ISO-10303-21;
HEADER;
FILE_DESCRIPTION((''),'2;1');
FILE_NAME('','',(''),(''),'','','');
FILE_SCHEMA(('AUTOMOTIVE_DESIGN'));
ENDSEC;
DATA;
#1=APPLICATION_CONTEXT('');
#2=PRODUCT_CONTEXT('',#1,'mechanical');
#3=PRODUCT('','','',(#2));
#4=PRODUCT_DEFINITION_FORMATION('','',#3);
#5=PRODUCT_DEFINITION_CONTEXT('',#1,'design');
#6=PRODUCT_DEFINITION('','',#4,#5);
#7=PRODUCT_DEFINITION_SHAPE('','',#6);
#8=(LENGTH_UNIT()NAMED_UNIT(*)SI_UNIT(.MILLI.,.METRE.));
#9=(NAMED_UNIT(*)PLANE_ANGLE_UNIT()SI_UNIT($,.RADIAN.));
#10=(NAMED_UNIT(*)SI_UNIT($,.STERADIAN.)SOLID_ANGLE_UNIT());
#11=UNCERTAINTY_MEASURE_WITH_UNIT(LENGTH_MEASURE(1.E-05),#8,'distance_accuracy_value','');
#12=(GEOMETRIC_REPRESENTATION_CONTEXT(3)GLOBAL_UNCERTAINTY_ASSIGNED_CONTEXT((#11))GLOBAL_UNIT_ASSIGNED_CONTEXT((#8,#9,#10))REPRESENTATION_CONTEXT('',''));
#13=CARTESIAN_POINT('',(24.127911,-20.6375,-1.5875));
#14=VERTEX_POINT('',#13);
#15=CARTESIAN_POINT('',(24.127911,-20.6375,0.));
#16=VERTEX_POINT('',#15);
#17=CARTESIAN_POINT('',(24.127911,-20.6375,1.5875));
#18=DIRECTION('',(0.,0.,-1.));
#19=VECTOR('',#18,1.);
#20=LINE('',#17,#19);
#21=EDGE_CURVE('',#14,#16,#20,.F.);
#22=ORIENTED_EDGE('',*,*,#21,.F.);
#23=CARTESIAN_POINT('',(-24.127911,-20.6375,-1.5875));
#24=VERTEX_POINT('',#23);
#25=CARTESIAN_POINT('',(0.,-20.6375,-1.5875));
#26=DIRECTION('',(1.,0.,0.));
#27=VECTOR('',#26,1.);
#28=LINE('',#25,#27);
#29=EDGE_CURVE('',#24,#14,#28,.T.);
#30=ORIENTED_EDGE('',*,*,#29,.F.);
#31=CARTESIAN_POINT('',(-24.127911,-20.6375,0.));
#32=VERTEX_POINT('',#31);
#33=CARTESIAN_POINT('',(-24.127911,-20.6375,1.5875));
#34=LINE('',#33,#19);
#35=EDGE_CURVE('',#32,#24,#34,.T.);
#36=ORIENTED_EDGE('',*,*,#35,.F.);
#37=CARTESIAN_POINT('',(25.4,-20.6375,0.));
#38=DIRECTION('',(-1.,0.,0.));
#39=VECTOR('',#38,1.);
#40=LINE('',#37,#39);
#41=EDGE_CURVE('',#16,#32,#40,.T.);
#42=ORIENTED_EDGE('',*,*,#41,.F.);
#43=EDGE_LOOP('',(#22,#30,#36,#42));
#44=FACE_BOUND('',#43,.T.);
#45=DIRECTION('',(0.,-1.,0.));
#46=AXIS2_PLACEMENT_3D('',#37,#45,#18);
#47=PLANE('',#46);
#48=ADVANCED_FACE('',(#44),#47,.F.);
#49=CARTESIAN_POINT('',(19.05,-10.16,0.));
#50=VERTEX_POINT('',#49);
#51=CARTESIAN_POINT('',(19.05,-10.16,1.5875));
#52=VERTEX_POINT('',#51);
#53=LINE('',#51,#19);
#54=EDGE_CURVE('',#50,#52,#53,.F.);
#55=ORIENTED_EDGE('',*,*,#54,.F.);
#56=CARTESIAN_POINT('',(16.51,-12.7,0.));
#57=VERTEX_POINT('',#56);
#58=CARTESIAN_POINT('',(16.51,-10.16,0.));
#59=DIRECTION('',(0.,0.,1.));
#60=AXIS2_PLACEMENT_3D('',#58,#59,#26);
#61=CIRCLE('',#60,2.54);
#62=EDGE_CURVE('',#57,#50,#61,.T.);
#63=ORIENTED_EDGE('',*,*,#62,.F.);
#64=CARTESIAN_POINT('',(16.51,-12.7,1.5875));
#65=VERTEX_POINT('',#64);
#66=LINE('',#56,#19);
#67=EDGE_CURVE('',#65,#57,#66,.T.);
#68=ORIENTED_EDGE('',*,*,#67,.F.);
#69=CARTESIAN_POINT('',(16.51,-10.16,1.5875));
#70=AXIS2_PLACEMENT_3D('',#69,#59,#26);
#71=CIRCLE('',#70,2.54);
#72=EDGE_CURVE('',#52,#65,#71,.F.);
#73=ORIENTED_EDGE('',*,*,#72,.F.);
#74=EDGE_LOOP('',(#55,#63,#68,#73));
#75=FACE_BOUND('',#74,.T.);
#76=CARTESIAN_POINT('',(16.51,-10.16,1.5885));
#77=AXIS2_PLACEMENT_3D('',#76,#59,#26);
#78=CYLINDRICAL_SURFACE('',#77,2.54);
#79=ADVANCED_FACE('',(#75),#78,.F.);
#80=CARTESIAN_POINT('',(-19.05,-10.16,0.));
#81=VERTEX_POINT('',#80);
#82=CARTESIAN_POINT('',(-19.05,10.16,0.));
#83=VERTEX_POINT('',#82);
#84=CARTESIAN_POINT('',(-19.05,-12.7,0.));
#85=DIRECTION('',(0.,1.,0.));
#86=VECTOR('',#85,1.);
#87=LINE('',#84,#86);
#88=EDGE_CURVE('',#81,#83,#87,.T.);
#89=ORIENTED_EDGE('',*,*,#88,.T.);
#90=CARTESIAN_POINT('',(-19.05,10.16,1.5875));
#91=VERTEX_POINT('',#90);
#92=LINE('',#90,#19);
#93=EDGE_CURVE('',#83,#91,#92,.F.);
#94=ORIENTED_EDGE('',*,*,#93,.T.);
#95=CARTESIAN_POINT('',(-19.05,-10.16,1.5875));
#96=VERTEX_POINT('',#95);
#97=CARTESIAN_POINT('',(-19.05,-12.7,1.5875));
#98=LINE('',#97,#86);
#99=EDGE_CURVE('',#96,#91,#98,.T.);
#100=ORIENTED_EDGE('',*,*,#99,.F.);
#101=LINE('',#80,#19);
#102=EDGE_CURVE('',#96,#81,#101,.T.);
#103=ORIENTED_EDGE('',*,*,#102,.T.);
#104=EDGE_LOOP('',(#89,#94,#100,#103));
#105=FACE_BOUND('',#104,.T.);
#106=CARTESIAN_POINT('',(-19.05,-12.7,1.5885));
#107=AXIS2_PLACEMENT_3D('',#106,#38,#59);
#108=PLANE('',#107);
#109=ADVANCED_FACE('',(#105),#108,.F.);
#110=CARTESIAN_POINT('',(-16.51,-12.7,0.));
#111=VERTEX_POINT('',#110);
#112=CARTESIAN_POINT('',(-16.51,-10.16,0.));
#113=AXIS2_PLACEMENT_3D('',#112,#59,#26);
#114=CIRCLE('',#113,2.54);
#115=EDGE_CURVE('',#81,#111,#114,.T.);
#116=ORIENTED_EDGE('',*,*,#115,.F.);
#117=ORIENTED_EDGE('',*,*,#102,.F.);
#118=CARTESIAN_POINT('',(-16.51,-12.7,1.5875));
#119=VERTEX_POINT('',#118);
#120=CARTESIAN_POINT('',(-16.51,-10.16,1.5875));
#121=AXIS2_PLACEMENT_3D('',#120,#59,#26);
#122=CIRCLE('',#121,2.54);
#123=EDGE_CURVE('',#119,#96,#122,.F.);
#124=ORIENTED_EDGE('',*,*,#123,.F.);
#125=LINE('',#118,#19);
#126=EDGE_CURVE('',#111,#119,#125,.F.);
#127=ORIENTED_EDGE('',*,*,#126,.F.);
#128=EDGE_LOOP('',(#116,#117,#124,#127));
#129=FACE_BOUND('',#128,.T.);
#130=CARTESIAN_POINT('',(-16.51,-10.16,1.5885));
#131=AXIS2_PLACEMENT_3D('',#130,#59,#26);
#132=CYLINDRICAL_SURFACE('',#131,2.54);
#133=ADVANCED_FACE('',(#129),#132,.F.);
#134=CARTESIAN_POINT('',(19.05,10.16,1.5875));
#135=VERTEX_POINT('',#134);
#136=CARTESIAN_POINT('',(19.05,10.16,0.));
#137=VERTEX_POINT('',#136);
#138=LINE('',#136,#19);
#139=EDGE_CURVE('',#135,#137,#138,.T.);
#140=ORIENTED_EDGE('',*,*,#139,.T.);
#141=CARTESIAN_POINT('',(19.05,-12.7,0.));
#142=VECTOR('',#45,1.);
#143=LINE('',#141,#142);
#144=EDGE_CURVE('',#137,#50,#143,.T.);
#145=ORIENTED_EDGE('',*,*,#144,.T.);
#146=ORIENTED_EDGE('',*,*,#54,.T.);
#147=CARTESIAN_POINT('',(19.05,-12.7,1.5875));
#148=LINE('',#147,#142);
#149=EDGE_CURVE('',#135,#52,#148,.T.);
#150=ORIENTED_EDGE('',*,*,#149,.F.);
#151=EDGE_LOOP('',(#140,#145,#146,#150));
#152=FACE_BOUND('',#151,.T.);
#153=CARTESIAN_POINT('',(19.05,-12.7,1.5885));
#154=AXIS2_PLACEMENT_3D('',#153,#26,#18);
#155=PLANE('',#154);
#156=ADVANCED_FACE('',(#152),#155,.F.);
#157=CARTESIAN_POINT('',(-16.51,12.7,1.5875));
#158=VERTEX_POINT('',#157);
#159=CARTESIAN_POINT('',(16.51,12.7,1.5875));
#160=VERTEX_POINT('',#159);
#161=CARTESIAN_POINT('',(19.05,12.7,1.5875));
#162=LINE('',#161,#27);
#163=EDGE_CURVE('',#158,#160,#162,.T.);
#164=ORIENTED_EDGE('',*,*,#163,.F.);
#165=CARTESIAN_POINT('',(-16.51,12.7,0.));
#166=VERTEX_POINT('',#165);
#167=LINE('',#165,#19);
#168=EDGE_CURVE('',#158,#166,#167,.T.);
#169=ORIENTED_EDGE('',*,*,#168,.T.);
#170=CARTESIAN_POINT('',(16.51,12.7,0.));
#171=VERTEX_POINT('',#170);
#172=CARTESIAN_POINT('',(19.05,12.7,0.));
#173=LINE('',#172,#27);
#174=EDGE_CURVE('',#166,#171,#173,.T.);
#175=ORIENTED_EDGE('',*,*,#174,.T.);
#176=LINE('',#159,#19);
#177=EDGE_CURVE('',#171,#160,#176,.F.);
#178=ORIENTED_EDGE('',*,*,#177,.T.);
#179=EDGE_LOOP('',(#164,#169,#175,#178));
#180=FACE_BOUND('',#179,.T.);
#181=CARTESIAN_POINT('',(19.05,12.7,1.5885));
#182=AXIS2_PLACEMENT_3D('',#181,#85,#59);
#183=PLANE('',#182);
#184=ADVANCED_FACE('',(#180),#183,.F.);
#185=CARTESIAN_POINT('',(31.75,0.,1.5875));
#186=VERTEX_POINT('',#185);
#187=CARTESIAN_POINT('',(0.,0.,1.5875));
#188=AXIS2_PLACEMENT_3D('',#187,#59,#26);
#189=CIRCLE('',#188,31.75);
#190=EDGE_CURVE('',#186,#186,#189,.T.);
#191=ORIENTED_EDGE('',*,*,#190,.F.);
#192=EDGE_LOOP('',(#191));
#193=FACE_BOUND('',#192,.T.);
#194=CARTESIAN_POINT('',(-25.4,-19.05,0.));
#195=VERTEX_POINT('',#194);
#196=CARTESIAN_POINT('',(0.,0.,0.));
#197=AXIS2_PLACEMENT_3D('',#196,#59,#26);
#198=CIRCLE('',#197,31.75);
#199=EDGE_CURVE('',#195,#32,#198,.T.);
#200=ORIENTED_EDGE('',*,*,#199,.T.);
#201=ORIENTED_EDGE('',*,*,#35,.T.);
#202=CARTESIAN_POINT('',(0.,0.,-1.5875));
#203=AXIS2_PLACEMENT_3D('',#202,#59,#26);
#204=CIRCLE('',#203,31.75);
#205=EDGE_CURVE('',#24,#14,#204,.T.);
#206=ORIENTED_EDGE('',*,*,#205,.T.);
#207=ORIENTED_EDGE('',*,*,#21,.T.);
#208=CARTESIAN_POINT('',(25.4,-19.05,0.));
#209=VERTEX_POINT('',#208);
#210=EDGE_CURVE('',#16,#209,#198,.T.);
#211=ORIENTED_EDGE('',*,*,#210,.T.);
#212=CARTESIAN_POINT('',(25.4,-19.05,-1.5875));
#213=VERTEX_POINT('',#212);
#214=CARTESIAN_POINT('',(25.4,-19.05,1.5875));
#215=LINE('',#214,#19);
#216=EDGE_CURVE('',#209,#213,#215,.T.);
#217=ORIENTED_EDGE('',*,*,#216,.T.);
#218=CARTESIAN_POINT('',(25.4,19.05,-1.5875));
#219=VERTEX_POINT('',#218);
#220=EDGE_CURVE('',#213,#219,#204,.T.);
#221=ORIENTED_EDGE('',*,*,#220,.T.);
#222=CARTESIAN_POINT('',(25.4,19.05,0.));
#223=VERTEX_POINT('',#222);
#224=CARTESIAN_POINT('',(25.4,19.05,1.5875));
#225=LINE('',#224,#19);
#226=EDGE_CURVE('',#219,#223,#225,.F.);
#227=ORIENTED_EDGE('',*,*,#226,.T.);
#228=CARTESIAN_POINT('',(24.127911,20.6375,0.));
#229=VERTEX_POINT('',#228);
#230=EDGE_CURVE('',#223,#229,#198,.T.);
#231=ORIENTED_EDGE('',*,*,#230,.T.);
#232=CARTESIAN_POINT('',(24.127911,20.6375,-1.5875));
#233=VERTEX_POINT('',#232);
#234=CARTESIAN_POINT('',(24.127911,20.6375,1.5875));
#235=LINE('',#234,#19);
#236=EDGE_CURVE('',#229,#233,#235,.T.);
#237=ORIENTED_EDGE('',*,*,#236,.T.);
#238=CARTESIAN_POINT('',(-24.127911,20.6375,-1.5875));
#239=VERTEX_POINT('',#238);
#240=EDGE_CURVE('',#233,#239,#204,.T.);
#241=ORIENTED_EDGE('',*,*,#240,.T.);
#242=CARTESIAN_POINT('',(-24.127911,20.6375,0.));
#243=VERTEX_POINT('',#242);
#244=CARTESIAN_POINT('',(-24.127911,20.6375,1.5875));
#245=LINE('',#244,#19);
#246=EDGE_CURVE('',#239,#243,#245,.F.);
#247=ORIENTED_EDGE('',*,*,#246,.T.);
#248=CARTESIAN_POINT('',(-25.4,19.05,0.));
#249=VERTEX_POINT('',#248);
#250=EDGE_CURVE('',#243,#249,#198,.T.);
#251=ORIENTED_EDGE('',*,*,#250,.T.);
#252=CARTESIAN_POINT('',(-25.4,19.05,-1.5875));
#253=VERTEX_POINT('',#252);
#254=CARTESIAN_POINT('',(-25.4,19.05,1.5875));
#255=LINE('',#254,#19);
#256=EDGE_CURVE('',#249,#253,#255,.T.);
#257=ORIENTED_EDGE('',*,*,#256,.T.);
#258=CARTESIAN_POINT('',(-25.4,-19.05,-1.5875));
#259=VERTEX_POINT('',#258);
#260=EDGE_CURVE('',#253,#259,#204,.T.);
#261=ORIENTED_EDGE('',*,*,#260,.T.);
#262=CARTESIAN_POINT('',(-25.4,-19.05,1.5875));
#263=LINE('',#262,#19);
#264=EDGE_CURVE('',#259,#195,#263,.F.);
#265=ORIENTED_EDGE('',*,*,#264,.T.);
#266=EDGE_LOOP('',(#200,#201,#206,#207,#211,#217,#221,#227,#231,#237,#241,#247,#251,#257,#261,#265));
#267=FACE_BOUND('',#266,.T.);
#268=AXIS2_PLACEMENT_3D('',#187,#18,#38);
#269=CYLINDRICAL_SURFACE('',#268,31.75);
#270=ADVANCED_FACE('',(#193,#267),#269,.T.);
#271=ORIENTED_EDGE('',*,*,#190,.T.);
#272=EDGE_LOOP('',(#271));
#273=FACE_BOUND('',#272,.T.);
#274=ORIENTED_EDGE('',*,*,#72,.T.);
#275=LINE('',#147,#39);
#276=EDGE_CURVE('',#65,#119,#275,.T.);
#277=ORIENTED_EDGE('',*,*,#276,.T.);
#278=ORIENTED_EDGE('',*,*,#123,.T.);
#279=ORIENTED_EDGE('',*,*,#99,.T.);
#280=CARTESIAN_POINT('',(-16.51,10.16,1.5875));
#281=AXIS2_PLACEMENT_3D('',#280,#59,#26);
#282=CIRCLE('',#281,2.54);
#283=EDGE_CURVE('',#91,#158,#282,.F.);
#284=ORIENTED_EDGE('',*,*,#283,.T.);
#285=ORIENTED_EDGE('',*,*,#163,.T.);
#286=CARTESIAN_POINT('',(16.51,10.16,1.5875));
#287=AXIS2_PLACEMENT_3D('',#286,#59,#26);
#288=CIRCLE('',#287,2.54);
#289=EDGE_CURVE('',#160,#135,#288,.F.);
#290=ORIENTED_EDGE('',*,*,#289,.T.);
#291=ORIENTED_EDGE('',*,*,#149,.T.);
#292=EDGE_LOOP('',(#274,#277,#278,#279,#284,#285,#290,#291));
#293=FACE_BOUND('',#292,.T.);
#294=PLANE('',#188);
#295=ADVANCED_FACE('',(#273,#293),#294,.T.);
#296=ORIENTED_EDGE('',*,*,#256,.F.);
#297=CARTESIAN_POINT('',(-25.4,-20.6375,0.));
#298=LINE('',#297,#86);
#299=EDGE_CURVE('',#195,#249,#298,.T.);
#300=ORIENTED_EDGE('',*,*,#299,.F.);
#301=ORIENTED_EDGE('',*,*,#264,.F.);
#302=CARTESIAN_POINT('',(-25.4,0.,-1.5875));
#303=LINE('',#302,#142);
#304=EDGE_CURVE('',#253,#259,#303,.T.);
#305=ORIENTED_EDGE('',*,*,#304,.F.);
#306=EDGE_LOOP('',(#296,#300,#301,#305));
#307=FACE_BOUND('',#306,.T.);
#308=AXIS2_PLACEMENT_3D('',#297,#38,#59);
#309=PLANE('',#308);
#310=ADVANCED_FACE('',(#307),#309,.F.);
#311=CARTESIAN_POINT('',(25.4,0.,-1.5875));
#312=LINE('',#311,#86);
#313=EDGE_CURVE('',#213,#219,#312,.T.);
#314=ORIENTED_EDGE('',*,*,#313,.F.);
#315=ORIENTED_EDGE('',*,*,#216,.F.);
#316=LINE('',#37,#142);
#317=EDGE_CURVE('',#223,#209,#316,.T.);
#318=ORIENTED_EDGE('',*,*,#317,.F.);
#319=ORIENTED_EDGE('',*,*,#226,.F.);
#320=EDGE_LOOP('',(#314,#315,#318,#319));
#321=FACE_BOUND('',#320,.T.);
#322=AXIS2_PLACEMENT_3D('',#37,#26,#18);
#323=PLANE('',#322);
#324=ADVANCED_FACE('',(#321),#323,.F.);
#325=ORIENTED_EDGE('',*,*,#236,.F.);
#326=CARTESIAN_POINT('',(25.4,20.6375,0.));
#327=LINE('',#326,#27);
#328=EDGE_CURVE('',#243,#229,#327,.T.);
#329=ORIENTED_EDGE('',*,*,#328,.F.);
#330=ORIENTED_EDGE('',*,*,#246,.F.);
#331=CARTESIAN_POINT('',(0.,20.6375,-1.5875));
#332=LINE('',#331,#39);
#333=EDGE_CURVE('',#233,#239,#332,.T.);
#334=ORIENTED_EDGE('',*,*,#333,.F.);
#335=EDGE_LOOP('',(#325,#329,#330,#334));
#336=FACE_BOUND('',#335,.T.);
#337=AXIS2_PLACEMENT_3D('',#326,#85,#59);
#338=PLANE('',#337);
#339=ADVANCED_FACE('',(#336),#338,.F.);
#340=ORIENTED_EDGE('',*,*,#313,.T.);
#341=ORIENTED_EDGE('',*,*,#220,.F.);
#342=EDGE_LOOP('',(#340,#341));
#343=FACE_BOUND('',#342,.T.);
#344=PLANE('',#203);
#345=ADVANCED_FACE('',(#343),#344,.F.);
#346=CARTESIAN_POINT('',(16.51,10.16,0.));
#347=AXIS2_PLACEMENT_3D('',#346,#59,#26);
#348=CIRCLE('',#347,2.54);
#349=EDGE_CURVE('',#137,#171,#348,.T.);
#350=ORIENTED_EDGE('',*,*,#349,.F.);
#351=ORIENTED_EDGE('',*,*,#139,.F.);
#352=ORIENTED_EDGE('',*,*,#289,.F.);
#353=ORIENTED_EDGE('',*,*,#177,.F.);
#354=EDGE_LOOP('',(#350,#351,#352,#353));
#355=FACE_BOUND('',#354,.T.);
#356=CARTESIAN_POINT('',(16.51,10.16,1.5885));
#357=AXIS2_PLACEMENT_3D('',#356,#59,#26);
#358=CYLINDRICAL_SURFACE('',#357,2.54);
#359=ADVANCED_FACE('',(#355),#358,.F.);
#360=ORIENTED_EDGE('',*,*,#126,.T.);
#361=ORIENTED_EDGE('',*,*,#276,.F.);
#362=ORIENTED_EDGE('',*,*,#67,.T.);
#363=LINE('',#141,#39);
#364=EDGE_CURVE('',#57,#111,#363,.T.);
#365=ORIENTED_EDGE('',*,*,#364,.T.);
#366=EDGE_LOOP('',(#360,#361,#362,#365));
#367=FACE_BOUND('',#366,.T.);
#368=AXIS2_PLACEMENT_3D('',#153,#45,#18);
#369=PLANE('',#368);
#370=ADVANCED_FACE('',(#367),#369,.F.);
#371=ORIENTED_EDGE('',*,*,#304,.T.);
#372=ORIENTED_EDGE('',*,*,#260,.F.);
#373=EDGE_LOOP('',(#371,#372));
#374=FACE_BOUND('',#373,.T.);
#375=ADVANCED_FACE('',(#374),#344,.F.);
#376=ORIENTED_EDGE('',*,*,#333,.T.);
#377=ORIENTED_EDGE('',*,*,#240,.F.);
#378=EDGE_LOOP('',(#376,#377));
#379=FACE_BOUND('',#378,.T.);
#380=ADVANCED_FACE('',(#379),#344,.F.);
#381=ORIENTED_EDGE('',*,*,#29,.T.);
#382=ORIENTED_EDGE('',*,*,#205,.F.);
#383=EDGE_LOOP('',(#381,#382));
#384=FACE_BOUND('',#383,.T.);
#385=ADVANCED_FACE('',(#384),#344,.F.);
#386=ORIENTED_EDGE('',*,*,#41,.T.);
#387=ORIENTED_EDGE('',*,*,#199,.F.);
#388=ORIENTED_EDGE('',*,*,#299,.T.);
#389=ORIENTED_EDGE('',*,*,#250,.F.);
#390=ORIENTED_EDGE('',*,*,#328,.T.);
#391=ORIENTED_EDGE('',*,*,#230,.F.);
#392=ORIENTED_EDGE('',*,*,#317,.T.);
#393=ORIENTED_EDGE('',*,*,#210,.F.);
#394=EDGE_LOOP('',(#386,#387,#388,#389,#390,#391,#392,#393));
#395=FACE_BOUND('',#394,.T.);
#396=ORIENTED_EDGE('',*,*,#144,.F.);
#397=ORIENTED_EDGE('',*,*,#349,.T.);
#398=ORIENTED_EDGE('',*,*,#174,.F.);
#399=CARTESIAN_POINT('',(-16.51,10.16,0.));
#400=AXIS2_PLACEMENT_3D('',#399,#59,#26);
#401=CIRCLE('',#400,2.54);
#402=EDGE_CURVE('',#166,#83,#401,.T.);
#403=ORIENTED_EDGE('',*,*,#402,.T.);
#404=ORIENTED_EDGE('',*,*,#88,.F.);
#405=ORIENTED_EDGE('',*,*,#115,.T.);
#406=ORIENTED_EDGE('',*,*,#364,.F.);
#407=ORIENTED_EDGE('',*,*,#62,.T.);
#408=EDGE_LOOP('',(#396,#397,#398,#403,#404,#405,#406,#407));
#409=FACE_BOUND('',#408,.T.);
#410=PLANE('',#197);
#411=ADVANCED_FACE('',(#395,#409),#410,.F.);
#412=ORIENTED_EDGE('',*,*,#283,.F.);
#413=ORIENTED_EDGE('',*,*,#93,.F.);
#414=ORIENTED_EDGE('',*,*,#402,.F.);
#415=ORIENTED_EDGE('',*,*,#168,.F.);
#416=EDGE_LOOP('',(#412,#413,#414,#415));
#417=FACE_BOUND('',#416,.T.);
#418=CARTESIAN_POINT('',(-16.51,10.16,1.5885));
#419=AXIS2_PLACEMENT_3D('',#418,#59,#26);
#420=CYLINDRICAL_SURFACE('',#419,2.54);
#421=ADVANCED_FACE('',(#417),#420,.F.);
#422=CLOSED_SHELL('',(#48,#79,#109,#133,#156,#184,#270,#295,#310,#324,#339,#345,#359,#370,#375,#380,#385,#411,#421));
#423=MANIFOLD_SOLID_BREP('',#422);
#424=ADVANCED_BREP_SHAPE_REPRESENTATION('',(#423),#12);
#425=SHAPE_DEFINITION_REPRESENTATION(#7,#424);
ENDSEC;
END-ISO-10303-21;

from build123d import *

# Parameters (mm, degrees)
SKETCH1_R           = 31.75
BOSS_EXTRUDE1_DEPTH = 1.5875
SKETCH3_W           = 50.8
SKETCH3_H           = 41.275
CUT_EXTRUDE1_DEPTH  = 1.5875
CUT_EXTRUDE2_REACH  = 3.587
SKETCH4_W           = 38.1
SKETCH4_H           = 25.4
FILLET3_R           = 2.54


with BuildPart() as part:
    # Sketch1 → Boss-Extrude1 (new body, symmetric)
    with BuildSketch(Plane.XY):
        Circle(SKETCH1_R)
    extrude(amount=BOSS_EXTRUDE1_DEPTH, both=True)

    # Sketch3 → Cut-Extrude1 (cut)
    with BuildSketch(Plane(origin=(0, 0, -1.5875), x_dir=(-1, 0, 0), z_dir=(0, 0, -1))):
        Rectangle(SKETCH3_W, SKETCH3_H)
    extrude(amount=-CUT_EXTRUDE1_DEPTH, mode=Mode.SUBTRACT)

    # Sketch4 → Cut-Extrude2 (cut, up to next)
    with BuildSketch(Plane(origin=(0, 0, 0), x_dir=(-1, 0, 0), z_dir=(0, 0, -1)), mode=Mode.PRIVATE) as cut_extrude2_sk1:
        Rectangle(SKETCH4_W, SKETCH4_H)
    cut_extrude2_tool1 = extrude(cut_extrude2_sk1.sketch, amount=-CUT_EXTRUDE2_REACH, mode=Mode.PRIVATE) & part.part
    add(cut_extrude2_tool1.solids().sort_by_distance((0, 0, 0))[0], mode=Mode.SUBTRACT)

    # Fillet3
    fillet3_edges = [part.edges().sort_by_distance(p)[0] for p in [
        (-19.05, 12.7, 0.79375),
        (-19.05, -12.7, 0.79375),
        (19.05, -12.7, 0.79375),
        (19.05, 12.7, 0.79375),
    ]]
    fillet(fillet3_edges, radius=FILLET3_R)


solid = part.part
